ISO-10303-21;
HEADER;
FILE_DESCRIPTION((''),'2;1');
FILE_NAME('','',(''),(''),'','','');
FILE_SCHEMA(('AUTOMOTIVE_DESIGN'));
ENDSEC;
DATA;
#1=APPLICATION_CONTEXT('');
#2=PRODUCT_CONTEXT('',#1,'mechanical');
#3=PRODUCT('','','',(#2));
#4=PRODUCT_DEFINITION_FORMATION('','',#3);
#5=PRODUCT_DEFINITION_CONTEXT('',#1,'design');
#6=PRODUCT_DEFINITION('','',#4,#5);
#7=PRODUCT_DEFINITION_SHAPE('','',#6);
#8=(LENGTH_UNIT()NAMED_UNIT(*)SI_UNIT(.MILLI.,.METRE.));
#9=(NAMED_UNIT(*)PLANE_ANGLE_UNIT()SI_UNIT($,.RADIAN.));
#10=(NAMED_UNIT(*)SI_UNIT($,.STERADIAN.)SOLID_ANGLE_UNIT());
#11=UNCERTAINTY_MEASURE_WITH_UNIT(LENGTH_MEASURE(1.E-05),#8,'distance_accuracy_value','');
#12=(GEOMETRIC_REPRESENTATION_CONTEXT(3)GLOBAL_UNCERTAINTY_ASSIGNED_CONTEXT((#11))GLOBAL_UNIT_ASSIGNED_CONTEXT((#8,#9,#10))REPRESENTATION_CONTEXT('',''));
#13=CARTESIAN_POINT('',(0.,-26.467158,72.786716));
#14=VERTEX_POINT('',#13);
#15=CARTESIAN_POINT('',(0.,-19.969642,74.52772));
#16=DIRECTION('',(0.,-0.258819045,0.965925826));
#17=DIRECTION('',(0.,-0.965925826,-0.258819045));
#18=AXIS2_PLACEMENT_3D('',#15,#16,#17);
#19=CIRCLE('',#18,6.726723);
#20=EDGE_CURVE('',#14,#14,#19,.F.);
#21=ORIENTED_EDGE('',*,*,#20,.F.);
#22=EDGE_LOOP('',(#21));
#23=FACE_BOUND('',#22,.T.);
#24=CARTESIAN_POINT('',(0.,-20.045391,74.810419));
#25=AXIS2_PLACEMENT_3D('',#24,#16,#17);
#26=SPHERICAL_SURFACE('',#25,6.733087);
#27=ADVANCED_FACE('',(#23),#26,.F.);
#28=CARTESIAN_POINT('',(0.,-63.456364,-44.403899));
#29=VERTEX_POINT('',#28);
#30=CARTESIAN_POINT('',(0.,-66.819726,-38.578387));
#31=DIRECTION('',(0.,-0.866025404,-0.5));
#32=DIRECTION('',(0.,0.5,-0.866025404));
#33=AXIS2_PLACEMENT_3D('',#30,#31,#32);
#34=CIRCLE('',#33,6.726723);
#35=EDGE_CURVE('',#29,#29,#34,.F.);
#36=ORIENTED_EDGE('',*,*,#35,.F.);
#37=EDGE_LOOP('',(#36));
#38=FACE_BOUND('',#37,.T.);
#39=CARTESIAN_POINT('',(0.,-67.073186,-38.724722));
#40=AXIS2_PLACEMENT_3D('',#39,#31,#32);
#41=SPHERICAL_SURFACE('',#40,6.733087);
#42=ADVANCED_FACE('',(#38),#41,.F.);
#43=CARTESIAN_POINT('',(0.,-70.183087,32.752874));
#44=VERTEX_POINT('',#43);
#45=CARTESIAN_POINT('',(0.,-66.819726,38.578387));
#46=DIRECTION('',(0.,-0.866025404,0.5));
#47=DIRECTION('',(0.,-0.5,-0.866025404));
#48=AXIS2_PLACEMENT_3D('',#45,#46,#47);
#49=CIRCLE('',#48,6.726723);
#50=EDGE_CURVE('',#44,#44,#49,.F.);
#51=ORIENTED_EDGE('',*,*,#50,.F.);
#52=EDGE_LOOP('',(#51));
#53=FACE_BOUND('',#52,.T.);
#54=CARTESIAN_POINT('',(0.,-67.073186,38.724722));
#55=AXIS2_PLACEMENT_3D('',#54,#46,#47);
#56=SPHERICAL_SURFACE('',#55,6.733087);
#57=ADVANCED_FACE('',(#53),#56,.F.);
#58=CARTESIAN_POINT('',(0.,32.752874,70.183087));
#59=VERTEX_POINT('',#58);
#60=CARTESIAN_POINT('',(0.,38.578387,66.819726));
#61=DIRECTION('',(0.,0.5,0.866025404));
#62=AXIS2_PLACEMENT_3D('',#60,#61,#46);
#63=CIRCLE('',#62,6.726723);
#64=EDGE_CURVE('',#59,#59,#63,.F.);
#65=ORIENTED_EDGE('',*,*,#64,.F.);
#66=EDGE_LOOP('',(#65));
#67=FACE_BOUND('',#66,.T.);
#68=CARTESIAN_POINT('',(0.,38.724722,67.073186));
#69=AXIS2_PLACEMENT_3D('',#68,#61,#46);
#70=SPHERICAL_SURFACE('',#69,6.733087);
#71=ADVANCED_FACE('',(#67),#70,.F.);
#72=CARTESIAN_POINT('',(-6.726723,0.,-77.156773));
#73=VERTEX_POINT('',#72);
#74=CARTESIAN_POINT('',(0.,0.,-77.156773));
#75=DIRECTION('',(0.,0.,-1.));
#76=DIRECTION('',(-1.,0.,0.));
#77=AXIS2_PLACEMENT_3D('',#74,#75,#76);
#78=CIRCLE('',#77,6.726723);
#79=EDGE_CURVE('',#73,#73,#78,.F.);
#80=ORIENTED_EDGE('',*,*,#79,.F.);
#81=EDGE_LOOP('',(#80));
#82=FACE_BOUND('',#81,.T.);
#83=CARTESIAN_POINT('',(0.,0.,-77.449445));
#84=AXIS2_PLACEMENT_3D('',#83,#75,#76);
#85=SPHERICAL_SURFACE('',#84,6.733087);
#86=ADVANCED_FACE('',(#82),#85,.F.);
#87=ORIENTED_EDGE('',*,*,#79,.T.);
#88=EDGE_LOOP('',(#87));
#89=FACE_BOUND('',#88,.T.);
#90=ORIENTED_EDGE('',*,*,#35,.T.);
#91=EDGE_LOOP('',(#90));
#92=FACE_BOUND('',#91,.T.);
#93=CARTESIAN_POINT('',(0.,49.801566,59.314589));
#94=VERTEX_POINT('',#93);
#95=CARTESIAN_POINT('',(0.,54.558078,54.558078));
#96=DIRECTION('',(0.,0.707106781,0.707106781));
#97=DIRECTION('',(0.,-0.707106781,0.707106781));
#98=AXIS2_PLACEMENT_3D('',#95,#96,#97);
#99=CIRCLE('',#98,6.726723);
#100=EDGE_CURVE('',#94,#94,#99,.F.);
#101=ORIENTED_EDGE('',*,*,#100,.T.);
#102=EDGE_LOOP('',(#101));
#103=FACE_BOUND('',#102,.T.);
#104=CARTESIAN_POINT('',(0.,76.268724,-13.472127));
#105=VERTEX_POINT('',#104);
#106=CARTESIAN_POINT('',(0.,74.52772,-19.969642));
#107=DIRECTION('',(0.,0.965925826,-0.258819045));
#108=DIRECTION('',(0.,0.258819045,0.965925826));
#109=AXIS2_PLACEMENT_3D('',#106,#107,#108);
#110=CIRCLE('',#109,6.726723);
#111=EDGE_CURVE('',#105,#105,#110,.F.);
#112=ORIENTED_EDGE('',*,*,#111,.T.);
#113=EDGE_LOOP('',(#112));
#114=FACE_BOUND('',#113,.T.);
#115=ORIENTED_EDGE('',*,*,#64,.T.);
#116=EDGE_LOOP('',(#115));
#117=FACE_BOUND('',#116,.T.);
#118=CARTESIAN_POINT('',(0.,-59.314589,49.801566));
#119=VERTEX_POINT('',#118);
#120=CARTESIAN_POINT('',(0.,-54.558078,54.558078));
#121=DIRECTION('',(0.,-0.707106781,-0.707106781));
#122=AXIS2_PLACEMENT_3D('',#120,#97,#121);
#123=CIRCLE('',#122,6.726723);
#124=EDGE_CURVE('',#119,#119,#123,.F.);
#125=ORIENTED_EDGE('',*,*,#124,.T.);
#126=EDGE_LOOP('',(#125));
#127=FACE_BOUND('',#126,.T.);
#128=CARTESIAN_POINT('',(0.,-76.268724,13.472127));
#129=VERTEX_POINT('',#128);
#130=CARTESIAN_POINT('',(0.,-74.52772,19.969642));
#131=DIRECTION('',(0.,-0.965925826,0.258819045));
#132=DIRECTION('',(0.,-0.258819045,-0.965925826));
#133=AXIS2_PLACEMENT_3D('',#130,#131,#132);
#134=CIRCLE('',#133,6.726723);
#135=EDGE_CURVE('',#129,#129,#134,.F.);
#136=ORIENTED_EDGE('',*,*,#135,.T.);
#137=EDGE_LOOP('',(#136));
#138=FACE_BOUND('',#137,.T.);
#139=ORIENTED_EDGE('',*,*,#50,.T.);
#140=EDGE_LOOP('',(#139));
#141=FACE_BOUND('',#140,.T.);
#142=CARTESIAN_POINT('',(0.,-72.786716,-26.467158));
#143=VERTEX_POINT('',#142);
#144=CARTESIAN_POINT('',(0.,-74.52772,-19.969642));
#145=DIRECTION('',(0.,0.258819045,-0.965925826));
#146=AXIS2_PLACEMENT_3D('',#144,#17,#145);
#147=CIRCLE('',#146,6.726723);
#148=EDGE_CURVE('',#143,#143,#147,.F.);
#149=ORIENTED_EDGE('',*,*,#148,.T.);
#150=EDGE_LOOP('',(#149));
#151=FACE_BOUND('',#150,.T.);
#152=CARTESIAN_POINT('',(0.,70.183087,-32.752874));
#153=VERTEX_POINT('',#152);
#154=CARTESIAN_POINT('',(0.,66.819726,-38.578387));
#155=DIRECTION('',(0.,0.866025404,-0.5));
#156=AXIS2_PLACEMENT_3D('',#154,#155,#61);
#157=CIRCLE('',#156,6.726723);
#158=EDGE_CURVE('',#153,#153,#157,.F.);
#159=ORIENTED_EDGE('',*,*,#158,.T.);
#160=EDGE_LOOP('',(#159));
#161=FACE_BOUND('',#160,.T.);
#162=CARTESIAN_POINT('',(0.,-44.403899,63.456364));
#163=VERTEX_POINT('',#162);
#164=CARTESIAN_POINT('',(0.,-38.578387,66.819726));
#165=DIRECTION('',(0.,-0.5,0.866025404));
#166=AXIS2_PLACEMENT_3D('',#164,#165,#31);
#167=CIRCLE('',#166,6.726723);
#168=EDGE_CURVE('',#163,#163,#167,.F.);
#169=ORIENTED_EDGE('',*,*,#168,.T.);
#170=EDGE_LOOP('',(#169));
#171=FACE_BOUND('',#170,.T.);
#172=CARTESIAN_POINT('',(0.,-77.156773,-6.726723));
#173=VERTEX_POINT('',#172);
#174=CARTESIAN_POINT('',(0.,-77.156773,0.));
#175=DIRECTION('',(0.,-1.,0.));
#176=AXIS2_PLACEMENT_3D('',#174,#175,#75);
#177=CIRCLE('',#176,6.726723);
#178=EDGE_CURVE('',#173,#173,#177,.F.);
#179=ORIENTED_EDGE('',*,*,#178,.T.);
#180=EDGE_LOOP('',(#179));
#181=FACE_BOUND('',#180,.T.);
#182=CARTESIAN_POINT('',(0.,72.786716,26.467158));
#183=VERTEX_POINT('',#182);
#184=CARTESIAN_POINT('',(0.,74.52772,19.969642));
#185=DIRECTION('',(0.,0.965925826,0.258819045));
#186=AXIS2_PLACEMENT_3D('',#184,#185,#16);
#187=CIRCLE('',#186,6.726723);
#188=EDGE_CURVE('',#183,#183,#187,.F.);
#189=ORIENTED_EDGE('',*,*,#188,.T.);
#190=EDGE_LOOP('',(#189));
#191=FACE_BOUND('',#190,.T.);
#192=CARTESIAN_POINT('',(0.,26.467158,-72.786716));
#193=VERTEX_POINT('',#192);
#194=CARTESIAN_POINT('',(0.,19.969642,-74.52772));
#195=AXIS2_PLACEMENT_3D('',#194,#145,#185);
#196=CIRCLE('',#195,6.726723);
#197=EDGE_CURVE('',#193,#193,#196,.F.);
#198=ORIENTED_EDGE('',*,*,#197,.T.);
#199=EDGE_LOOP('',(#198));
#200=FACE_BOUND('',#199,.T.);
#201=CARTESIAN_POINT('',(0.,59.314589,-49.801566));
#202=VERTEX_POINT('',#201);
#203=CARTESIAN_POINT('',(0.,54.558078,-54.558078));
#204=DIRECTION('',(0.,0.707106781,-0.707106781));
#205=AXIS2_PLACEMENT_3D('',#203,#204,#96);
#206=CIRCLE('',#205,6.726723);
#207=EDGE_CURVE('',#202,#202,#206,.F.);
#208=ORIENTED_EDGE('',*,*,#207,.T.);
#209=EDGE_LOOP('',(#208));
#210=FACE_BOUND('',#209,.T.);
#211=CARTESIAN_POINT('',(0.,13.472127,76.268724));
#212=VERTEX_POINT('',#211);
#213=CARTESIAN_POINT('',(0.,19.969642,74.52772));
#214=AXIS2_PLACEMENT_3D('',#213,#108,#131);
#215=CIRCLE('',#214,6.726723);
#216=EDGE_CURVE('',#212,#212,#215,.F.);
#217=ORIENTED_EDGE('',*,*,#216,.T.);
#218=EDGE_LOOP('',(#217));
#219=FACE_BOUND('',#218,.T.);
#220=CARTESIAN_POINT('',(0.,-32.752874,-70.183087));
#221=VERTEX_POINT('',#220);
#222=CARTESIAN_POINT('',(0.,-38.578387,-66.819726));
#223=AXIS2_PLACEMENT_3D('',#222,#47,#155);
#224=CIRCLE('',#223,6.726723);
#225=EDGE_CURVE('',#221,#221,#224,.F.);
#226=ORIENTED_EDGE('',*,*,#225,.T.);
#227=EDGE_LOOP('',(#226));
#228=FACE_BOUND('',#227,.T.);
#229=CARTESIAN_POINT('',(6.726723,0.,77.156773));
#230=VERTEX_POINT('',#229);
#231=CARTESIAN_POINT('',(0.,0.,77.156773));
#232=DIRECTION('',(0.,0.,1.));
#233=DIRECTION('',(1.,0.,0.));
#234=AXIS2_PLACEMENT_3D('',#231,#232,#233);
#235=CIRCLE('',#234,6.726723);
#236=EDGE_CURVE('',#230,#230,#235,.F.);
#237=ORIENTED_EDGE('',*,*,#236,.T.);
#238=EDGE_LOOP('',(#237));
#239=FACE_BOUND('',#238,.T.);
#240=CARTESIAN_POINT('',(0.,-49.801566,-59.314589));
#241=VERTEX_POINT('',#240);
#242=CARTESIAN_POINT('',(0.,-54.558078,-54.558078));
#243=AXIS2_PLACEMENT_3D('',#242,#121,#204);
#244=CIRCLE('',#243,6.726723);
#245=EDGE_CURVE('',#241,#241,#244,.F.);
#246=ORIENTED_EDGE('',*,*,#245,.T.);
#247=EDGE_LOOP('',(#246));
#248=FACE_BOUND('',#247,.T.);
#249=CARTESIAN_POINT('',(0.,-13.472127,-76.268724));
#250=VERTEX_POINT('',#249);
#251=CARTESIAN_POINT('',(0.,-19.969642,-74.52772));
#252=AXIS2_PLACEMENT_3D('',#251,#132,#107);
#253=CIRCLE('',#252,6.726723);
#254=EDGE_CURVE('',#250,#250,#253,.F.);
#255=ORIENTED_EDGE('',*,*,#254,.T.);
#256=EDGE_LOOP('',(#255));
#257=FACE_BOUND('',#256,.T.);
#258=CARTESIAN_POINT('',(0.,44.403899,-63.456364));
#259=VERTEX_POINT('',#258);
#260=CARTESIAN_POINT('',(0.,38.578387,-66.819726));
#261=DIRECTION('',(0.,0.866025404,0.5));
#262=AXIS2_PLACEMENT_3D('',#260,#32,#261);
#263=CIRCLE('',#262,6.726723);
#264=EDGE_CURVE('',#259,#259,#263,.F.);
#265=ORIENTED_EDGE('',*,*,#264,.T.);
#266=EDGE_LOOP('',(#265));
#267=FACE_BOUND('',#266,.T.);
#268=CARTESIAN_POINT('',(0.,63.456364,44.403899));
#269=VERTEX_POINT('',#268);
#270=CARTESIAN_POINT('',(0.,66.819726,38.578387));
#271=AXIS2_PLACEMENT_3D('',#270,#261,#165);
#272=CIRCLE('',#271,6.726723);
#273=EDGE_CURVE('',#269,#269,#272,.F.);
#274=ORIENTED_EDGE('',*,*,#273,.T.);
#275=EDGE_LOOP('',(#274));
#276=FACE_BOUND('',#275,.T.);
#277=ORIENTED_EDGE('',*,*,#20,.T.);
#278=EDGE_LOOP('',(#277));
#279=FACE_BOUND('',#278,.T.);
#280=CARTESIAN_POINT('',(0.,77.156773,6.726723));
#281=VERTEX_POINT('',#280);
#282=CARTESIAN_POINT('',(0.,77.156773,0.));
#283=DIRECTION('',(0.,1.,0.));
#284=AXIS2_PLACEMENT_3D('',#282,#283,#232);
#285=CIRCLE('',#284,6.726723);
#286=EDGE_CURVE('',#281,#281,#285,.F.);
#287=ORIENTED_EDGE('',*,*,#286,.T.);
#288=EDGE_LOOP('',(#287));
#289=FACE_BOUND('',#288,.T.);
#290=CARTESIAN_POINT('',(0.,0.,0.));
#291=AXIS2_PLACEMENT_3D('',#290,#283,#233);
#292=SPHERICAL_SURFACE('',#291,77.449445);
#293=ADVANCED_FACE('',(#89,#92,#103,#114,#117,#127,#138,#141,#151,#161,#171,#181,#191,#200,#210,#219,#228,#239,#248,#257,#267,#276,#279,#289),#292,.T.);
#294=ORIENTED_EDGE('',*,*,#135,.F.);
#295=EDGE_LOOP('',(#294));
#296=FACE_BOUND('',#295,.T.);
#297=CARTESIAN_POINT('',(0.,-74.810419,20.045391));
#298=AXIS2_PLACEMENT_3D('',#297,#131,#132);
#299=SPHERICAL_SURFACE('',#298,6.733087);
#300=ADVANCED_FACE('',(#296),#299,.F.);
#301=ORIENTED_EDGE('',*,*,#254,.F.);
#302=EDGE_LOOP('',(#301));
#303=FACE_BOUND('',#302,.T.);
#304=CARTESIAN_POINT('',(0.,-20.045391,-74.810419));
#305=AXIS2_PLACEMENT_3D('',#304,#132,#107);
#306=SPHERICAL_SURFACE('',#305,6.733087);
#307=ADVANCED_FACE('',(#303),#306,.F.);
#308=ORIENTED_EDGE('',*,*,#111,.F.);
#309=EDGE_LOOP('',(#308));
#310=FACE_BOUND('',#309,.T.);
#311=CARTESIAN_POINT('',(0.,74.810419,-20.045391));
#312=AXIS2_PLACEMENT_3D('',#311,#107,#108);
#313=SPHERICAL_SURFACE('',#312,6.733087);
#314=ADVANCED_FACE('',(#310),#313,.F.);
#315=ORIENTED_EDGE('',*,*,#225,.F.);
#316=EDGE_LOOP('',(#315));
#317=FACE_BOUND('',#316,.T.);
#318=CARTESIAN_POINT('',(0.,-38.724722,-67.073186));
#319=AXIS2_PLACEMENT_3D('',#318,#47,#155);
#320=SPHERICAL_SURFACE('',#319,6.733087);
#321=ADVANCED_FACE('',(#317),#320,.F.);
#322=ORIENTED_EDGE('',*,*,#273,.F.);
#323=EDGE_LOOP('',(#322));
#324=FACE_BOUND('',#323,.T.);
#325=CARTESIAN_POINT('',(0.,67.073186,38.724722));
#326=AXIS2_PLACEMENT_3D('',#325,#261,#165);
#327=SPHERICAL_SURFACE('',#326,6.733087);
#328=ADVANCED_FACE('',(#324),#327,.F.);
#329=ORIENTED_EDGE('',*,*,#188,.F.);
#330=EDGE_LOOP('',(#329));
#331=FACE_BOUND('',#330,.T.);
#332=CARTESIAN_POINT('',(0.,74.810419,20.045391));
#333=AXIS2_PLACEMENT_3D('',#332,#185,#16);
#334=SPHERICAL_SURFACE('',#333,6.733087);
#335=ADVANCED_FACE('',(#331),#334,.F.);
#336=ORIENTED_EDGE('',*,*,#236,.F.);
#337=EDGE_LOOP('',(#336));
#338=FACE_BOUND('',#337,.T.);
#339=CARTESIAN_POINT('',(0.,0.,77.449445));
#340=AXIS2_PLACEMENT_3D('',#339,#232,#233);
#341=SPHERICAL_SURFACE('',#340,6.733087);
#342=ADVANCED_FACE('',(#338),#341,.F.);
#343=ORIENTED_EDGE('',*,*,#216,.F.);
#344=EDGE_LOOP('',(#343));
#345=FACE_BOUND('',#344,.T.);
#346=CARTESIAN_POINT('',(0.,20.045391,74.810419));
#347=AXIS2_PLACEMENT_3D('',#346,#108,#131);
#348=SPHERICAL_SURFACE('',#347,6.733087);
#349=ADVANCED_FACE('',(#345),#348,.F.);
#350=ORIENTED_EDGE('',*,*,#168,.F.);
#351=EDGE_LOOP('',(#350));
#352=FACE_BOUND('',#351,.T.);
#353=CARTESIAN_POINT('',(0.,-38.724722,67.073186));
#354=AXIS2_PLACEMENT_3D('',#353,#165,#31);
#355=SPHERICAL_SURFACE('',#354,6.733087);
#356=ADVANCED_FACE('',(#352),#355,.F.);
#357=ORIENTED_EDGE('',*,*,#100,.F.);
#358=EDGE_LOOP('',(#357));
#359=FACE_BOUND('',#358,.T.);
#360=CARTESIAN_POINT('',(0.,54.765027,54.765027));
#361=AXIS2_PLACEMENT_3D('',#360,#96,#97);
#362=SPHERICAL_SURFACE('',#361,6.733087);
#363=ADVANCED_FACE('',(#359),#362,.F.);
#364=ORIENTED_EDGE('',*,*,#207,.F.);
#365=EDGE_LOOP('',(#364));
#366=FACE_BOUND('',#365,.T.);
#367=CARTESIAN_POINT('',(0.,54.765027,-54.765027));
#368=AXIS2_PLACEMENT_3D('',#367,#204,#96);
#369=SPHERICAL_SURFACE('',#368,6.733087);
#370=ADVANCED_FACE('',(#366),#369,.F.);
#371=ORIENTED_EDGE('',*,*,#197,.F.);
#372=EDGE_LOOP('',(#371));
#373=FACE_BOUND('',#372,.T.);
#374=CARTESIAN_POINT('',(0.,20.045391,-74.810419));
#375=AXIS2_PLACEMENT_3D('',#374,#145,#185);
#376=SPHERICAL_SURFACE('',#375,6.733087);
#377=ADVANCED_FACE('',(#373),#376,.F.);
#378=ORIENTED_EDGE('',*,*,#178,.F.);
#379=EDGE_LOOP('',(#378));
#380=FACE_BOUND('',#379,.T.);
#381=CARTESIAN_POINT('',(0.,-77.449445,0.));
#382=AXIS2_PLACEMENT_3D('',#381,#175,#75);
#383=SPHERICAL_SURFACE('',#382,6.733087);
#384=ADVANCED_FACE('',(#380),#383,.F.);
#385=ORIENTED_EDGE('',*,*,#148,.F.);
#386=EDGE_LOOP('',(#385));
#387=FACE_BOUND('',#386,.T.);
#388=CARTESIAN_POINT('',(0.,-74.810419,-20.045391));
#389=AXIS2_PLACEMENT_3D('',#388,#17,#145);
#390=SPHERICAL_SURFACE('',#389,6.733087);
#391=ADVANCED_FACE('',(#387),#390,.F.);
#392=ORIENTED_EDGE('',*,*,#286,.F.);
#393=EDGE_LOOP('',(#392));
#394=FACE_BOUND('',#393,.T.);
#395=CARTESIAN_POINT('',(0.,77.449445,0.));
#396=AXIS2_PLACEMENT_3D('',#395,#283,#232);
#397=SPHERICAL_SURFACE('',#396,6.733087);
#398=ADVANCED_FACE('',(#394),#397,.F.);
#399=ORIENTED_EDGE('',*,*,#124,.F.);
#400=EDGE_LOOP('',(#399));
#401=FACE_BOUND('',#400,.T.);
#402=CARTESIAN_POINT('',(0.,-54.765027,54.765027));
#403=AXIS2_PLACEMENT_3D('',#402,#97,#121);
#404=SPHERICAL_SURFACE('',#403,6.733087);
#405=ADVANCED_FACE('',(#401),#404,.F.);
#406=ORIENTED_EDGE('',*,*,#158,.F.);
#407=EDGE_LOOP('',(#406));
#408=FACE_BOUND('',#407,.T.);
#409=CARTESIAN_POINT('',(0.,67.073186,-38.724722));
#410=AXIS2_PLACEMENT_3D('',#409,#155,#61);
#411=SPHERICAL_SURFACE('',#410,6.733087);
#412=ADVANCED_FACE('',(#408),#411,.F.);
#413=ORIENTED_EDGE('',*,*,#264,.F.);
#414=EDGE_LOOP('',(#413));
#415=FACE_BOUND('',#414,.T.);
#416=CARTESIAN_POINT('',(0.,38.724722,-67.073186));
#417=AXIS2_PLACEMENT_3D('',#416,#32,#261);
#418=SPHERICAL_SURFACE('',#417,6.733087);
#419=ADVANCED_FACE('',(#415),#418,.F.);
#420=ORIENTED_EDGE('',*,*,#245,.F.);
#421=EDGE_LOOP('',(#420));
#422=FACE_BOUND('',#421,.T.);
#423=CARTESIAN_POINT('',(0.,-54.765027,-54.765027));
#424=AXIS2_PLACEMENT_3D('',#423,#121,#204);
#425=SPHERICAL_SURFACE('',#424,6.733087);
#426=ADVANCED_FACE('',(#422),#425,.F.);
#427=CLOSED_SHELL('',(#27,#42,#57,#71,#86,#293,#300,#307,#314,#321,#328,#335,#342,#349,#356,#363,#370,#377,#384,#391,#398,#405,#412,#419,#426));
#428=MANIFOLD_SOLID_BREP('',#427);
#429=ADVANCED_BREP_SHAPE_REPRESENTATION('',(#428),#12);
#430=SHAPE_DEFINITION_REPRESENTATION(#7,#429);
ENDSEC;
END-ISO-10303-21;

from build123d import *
from build123d.topology import SkipClean

# Parameters (mm, degrees)
CIRPATTERN1_COUNT = 24


with BuildPart() as part:
    # Sketch1 → Revolve1 (revolve)
    with BuildSketch(Plane.XY):
        with BuildLine():
            Line((0, 77.449444527), (0, -77.449444527))
            ThreePointArc((0, -77.449444527), (77.449444527, 0), (0, 77.449444527))
        make_face()
    revolve(axis=Axis((0, 77.449444527, 0), (0, -1, 0)))

    # Sketch2 → Cut-Revolve1 (revolve, cut)
    with SkipClean():  # the faces are left unmerged after this step: merging them gives an invalid solid
        with BuildSketch(Plane(origin=(0, 0, 0), x_dir=(1, 0, 0), z_dir=(0, 1, 0))):
            with BuildLine():
                Line((-6.733086692, 77.449444527), (6.733086692, 77.449444527))
                ThreePointArc((6.733086692, 77.449444527), (0, 70.716357835), (-6.733086692, 77.449444527))
            make_face()
        cut_revolve1 = revolve(axis=Axis((-6.733086692, 0, -77.449444527), (1, 0, 0)), mode=Mode.SUBTRACT)

    # CirPattern1: Cut-Revolve1 ×24 about axis
    with SkipClean():  # the faces are left unmerged after this step: merging them gives an invalid solid
        cirpattern1_axis = Axis((0, 0, 0), (1, 0, 0))
        for i in range(1, CIRPATTERN1_COUNT):
            add(cut_revolve1.rotate(cirpattern1_axis, i * 360 / CIRPATTERN1_COUNT), mode=Mode.SUBTRACT)


solid = part.part
